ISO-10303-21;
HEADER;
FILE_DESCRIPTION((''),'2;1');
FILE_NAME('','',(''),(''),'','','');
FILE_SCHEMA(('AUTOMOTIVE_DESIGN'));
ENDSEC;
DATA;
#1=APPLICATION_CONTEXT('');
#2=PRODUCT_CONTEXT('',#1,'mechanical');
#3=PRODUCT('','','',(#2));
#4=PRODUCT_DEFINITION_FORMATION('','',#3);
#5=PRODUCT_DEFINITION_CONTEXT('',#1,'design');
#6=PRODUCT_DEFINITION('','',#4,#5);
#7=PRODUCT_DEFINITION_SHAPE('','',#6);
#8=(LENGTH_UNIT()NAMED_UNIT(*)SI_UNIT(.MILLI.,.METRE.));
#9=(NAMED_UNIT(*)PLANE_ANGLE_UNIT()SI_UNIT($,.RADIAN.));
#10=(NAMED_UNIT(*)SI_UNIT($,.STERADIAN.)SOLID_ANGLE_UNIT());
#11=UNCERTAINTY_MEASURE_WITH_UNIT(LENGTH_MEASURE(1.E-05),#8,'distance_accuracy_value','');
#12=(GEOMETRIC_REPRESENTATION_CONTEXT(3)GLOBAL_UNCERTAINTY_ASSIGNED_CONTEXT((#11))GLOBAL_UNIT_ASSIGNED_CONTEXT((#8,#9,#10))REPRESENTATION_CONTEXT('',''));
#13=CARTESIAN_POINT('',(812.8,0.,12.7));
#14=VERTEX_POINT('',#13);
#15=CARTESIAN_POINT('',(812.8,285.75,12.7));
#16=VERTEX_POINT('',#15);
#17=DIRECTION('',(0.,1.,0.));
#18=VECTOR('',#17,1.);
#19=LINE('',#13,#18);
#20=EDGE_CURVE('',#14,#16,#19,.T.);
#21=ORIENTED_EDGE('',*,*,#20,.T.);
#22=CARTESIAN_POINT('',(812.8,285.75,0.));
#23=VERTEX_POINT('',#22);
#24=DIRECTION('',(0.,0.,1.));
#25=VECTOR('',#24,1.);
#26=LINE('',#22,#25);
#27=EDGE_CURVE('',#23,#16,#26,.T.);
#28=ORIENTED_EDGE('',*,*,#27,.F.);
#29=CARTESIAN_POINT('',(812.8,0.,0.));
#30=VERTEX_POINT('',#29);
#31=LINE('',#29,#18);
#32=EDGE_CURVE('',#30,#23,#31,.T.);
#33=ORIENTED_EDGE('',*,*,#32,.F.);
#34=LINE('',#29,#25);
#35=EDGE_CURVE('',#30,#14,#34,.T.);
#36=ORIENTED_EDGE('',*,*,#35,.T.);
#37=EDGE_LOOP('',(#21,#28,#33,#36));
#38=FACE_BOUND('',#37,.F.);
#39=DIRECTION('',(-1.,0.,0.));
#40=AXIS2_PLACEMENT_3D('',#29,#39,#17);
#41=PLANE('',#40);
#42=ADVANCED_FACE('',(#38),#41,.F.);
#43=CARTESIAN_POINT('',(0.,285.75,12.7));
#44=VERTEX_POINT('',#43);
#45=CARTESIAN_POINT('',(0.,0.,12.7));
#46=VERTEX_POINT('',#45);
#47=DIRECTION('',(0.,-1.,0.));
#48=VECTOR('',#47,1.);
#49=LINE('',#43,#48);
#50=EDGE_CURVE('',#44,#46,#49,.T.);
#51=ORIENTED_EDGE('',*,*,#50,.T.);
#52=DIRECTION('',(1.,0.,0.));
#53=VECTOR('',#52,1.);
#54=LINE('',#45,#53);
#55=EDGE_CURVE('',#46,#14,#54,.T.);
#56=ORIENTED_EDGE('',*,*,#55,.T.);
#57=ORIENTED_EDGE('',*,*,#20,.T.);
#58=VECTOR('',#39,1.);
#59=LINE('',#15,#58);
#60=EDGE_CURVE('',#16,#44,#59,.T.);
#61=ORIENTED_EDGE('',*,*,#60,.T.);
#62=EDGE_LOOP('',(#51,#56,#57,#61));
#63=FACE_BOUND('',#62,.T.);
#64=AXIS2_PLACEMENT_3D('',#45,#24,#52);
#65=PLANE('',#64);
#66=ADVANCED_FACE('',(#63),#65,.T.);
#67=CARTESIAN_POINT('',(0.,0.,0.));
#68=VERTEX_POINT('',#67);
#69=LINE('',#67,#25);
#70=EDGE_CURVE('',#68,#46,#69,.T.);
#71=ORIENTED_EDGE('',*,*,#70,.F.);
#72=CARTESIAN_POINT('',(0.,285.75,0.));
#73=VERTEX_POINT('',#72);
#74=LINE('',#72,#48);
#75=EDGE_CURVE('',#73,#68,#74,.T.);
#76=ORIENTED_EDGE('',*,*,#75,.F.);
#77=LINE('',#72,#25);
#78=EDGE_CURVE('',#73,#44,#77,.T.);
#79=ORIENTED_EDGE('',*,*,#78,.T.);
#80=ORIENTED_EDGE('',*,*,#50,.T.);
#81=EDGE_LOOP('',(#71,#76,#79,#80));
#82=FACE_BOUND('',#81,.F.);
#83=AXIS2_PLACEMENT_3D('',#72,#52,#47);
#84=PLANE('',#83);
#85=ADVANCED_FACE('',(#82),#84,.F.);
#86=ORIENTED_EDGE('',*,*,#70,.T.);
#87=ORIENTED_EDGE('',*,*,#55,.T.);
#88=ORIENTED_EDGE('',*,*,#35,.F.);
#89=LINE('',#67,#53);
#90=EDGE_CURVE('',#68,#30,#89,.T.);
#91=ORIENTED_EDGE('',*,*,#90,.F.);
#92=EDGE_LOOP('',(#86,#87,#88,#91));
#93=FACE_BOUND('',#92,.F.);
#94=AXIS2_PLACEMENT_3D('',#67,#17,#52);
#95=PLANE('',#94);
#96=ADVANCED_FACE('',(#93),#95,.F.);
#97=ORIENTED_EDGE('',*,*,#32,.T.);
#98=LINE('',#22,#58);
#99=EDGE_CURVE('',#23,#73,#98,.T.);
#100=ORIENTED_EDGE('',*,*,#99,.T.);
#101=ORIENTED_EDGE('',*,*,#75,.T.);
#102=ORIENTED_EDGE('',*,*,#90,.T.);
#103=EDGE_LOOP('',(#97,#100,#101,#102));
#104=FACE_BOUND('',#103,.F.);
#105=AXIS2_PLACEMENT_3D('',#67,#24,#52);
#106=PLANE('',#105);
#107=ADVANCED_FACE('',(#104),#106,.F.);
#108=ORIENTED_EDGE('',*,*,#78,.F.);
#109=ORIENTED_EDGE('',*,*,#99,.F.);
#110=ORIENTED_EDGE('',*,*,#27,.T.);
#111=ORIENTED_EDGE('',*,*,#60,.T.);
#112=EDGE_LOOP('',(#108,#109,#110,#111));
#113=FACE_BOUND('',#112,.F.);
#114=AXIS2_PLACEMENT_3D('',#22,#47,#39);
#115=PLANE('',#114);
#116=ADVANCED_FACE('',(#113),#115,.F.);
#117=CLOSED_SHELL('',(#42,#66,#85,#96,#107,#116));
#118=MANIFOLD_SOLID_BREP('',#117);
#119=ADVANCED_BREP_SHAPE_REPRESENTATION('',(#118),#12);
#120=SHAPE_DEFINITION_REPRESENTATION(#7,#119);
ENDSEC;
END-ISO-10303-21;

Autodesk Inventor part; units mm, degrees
ref_plane "YZ Plane" through (0, 0, 0) normal (1, 0, 0) x (0, 1, 0)
ref_plane "XZ Plane" through (0, 0, 0) normal (0, 1, 0) x (-1, 0, 0)
ref_plane "XY Plane" through (0, 0, 0) normal (0, 0, 1) x (1, 0, 0)
sketch "Sketch1" plane through (0, 0, 0) normal (0, 0, 1) x (1, 0, 0)
  line L0 (0, 0) -> (812.8, 0)
  line L1 (812.8, 0) -> (812.8, 285.75)
  line L2 (812.8, 285.75) -> (0, 285.75)
  line L3 (0, 285.75) -> (0, 0)
  dimension "d0" = 812.8
  dimension "d1" = 285.75
extrude "Extrusion1" add sketch "Sketch1" along normal blind 12.7
properties part number "Wind Tunnel Settling Chamber Side" material "Wood (Oak)"
